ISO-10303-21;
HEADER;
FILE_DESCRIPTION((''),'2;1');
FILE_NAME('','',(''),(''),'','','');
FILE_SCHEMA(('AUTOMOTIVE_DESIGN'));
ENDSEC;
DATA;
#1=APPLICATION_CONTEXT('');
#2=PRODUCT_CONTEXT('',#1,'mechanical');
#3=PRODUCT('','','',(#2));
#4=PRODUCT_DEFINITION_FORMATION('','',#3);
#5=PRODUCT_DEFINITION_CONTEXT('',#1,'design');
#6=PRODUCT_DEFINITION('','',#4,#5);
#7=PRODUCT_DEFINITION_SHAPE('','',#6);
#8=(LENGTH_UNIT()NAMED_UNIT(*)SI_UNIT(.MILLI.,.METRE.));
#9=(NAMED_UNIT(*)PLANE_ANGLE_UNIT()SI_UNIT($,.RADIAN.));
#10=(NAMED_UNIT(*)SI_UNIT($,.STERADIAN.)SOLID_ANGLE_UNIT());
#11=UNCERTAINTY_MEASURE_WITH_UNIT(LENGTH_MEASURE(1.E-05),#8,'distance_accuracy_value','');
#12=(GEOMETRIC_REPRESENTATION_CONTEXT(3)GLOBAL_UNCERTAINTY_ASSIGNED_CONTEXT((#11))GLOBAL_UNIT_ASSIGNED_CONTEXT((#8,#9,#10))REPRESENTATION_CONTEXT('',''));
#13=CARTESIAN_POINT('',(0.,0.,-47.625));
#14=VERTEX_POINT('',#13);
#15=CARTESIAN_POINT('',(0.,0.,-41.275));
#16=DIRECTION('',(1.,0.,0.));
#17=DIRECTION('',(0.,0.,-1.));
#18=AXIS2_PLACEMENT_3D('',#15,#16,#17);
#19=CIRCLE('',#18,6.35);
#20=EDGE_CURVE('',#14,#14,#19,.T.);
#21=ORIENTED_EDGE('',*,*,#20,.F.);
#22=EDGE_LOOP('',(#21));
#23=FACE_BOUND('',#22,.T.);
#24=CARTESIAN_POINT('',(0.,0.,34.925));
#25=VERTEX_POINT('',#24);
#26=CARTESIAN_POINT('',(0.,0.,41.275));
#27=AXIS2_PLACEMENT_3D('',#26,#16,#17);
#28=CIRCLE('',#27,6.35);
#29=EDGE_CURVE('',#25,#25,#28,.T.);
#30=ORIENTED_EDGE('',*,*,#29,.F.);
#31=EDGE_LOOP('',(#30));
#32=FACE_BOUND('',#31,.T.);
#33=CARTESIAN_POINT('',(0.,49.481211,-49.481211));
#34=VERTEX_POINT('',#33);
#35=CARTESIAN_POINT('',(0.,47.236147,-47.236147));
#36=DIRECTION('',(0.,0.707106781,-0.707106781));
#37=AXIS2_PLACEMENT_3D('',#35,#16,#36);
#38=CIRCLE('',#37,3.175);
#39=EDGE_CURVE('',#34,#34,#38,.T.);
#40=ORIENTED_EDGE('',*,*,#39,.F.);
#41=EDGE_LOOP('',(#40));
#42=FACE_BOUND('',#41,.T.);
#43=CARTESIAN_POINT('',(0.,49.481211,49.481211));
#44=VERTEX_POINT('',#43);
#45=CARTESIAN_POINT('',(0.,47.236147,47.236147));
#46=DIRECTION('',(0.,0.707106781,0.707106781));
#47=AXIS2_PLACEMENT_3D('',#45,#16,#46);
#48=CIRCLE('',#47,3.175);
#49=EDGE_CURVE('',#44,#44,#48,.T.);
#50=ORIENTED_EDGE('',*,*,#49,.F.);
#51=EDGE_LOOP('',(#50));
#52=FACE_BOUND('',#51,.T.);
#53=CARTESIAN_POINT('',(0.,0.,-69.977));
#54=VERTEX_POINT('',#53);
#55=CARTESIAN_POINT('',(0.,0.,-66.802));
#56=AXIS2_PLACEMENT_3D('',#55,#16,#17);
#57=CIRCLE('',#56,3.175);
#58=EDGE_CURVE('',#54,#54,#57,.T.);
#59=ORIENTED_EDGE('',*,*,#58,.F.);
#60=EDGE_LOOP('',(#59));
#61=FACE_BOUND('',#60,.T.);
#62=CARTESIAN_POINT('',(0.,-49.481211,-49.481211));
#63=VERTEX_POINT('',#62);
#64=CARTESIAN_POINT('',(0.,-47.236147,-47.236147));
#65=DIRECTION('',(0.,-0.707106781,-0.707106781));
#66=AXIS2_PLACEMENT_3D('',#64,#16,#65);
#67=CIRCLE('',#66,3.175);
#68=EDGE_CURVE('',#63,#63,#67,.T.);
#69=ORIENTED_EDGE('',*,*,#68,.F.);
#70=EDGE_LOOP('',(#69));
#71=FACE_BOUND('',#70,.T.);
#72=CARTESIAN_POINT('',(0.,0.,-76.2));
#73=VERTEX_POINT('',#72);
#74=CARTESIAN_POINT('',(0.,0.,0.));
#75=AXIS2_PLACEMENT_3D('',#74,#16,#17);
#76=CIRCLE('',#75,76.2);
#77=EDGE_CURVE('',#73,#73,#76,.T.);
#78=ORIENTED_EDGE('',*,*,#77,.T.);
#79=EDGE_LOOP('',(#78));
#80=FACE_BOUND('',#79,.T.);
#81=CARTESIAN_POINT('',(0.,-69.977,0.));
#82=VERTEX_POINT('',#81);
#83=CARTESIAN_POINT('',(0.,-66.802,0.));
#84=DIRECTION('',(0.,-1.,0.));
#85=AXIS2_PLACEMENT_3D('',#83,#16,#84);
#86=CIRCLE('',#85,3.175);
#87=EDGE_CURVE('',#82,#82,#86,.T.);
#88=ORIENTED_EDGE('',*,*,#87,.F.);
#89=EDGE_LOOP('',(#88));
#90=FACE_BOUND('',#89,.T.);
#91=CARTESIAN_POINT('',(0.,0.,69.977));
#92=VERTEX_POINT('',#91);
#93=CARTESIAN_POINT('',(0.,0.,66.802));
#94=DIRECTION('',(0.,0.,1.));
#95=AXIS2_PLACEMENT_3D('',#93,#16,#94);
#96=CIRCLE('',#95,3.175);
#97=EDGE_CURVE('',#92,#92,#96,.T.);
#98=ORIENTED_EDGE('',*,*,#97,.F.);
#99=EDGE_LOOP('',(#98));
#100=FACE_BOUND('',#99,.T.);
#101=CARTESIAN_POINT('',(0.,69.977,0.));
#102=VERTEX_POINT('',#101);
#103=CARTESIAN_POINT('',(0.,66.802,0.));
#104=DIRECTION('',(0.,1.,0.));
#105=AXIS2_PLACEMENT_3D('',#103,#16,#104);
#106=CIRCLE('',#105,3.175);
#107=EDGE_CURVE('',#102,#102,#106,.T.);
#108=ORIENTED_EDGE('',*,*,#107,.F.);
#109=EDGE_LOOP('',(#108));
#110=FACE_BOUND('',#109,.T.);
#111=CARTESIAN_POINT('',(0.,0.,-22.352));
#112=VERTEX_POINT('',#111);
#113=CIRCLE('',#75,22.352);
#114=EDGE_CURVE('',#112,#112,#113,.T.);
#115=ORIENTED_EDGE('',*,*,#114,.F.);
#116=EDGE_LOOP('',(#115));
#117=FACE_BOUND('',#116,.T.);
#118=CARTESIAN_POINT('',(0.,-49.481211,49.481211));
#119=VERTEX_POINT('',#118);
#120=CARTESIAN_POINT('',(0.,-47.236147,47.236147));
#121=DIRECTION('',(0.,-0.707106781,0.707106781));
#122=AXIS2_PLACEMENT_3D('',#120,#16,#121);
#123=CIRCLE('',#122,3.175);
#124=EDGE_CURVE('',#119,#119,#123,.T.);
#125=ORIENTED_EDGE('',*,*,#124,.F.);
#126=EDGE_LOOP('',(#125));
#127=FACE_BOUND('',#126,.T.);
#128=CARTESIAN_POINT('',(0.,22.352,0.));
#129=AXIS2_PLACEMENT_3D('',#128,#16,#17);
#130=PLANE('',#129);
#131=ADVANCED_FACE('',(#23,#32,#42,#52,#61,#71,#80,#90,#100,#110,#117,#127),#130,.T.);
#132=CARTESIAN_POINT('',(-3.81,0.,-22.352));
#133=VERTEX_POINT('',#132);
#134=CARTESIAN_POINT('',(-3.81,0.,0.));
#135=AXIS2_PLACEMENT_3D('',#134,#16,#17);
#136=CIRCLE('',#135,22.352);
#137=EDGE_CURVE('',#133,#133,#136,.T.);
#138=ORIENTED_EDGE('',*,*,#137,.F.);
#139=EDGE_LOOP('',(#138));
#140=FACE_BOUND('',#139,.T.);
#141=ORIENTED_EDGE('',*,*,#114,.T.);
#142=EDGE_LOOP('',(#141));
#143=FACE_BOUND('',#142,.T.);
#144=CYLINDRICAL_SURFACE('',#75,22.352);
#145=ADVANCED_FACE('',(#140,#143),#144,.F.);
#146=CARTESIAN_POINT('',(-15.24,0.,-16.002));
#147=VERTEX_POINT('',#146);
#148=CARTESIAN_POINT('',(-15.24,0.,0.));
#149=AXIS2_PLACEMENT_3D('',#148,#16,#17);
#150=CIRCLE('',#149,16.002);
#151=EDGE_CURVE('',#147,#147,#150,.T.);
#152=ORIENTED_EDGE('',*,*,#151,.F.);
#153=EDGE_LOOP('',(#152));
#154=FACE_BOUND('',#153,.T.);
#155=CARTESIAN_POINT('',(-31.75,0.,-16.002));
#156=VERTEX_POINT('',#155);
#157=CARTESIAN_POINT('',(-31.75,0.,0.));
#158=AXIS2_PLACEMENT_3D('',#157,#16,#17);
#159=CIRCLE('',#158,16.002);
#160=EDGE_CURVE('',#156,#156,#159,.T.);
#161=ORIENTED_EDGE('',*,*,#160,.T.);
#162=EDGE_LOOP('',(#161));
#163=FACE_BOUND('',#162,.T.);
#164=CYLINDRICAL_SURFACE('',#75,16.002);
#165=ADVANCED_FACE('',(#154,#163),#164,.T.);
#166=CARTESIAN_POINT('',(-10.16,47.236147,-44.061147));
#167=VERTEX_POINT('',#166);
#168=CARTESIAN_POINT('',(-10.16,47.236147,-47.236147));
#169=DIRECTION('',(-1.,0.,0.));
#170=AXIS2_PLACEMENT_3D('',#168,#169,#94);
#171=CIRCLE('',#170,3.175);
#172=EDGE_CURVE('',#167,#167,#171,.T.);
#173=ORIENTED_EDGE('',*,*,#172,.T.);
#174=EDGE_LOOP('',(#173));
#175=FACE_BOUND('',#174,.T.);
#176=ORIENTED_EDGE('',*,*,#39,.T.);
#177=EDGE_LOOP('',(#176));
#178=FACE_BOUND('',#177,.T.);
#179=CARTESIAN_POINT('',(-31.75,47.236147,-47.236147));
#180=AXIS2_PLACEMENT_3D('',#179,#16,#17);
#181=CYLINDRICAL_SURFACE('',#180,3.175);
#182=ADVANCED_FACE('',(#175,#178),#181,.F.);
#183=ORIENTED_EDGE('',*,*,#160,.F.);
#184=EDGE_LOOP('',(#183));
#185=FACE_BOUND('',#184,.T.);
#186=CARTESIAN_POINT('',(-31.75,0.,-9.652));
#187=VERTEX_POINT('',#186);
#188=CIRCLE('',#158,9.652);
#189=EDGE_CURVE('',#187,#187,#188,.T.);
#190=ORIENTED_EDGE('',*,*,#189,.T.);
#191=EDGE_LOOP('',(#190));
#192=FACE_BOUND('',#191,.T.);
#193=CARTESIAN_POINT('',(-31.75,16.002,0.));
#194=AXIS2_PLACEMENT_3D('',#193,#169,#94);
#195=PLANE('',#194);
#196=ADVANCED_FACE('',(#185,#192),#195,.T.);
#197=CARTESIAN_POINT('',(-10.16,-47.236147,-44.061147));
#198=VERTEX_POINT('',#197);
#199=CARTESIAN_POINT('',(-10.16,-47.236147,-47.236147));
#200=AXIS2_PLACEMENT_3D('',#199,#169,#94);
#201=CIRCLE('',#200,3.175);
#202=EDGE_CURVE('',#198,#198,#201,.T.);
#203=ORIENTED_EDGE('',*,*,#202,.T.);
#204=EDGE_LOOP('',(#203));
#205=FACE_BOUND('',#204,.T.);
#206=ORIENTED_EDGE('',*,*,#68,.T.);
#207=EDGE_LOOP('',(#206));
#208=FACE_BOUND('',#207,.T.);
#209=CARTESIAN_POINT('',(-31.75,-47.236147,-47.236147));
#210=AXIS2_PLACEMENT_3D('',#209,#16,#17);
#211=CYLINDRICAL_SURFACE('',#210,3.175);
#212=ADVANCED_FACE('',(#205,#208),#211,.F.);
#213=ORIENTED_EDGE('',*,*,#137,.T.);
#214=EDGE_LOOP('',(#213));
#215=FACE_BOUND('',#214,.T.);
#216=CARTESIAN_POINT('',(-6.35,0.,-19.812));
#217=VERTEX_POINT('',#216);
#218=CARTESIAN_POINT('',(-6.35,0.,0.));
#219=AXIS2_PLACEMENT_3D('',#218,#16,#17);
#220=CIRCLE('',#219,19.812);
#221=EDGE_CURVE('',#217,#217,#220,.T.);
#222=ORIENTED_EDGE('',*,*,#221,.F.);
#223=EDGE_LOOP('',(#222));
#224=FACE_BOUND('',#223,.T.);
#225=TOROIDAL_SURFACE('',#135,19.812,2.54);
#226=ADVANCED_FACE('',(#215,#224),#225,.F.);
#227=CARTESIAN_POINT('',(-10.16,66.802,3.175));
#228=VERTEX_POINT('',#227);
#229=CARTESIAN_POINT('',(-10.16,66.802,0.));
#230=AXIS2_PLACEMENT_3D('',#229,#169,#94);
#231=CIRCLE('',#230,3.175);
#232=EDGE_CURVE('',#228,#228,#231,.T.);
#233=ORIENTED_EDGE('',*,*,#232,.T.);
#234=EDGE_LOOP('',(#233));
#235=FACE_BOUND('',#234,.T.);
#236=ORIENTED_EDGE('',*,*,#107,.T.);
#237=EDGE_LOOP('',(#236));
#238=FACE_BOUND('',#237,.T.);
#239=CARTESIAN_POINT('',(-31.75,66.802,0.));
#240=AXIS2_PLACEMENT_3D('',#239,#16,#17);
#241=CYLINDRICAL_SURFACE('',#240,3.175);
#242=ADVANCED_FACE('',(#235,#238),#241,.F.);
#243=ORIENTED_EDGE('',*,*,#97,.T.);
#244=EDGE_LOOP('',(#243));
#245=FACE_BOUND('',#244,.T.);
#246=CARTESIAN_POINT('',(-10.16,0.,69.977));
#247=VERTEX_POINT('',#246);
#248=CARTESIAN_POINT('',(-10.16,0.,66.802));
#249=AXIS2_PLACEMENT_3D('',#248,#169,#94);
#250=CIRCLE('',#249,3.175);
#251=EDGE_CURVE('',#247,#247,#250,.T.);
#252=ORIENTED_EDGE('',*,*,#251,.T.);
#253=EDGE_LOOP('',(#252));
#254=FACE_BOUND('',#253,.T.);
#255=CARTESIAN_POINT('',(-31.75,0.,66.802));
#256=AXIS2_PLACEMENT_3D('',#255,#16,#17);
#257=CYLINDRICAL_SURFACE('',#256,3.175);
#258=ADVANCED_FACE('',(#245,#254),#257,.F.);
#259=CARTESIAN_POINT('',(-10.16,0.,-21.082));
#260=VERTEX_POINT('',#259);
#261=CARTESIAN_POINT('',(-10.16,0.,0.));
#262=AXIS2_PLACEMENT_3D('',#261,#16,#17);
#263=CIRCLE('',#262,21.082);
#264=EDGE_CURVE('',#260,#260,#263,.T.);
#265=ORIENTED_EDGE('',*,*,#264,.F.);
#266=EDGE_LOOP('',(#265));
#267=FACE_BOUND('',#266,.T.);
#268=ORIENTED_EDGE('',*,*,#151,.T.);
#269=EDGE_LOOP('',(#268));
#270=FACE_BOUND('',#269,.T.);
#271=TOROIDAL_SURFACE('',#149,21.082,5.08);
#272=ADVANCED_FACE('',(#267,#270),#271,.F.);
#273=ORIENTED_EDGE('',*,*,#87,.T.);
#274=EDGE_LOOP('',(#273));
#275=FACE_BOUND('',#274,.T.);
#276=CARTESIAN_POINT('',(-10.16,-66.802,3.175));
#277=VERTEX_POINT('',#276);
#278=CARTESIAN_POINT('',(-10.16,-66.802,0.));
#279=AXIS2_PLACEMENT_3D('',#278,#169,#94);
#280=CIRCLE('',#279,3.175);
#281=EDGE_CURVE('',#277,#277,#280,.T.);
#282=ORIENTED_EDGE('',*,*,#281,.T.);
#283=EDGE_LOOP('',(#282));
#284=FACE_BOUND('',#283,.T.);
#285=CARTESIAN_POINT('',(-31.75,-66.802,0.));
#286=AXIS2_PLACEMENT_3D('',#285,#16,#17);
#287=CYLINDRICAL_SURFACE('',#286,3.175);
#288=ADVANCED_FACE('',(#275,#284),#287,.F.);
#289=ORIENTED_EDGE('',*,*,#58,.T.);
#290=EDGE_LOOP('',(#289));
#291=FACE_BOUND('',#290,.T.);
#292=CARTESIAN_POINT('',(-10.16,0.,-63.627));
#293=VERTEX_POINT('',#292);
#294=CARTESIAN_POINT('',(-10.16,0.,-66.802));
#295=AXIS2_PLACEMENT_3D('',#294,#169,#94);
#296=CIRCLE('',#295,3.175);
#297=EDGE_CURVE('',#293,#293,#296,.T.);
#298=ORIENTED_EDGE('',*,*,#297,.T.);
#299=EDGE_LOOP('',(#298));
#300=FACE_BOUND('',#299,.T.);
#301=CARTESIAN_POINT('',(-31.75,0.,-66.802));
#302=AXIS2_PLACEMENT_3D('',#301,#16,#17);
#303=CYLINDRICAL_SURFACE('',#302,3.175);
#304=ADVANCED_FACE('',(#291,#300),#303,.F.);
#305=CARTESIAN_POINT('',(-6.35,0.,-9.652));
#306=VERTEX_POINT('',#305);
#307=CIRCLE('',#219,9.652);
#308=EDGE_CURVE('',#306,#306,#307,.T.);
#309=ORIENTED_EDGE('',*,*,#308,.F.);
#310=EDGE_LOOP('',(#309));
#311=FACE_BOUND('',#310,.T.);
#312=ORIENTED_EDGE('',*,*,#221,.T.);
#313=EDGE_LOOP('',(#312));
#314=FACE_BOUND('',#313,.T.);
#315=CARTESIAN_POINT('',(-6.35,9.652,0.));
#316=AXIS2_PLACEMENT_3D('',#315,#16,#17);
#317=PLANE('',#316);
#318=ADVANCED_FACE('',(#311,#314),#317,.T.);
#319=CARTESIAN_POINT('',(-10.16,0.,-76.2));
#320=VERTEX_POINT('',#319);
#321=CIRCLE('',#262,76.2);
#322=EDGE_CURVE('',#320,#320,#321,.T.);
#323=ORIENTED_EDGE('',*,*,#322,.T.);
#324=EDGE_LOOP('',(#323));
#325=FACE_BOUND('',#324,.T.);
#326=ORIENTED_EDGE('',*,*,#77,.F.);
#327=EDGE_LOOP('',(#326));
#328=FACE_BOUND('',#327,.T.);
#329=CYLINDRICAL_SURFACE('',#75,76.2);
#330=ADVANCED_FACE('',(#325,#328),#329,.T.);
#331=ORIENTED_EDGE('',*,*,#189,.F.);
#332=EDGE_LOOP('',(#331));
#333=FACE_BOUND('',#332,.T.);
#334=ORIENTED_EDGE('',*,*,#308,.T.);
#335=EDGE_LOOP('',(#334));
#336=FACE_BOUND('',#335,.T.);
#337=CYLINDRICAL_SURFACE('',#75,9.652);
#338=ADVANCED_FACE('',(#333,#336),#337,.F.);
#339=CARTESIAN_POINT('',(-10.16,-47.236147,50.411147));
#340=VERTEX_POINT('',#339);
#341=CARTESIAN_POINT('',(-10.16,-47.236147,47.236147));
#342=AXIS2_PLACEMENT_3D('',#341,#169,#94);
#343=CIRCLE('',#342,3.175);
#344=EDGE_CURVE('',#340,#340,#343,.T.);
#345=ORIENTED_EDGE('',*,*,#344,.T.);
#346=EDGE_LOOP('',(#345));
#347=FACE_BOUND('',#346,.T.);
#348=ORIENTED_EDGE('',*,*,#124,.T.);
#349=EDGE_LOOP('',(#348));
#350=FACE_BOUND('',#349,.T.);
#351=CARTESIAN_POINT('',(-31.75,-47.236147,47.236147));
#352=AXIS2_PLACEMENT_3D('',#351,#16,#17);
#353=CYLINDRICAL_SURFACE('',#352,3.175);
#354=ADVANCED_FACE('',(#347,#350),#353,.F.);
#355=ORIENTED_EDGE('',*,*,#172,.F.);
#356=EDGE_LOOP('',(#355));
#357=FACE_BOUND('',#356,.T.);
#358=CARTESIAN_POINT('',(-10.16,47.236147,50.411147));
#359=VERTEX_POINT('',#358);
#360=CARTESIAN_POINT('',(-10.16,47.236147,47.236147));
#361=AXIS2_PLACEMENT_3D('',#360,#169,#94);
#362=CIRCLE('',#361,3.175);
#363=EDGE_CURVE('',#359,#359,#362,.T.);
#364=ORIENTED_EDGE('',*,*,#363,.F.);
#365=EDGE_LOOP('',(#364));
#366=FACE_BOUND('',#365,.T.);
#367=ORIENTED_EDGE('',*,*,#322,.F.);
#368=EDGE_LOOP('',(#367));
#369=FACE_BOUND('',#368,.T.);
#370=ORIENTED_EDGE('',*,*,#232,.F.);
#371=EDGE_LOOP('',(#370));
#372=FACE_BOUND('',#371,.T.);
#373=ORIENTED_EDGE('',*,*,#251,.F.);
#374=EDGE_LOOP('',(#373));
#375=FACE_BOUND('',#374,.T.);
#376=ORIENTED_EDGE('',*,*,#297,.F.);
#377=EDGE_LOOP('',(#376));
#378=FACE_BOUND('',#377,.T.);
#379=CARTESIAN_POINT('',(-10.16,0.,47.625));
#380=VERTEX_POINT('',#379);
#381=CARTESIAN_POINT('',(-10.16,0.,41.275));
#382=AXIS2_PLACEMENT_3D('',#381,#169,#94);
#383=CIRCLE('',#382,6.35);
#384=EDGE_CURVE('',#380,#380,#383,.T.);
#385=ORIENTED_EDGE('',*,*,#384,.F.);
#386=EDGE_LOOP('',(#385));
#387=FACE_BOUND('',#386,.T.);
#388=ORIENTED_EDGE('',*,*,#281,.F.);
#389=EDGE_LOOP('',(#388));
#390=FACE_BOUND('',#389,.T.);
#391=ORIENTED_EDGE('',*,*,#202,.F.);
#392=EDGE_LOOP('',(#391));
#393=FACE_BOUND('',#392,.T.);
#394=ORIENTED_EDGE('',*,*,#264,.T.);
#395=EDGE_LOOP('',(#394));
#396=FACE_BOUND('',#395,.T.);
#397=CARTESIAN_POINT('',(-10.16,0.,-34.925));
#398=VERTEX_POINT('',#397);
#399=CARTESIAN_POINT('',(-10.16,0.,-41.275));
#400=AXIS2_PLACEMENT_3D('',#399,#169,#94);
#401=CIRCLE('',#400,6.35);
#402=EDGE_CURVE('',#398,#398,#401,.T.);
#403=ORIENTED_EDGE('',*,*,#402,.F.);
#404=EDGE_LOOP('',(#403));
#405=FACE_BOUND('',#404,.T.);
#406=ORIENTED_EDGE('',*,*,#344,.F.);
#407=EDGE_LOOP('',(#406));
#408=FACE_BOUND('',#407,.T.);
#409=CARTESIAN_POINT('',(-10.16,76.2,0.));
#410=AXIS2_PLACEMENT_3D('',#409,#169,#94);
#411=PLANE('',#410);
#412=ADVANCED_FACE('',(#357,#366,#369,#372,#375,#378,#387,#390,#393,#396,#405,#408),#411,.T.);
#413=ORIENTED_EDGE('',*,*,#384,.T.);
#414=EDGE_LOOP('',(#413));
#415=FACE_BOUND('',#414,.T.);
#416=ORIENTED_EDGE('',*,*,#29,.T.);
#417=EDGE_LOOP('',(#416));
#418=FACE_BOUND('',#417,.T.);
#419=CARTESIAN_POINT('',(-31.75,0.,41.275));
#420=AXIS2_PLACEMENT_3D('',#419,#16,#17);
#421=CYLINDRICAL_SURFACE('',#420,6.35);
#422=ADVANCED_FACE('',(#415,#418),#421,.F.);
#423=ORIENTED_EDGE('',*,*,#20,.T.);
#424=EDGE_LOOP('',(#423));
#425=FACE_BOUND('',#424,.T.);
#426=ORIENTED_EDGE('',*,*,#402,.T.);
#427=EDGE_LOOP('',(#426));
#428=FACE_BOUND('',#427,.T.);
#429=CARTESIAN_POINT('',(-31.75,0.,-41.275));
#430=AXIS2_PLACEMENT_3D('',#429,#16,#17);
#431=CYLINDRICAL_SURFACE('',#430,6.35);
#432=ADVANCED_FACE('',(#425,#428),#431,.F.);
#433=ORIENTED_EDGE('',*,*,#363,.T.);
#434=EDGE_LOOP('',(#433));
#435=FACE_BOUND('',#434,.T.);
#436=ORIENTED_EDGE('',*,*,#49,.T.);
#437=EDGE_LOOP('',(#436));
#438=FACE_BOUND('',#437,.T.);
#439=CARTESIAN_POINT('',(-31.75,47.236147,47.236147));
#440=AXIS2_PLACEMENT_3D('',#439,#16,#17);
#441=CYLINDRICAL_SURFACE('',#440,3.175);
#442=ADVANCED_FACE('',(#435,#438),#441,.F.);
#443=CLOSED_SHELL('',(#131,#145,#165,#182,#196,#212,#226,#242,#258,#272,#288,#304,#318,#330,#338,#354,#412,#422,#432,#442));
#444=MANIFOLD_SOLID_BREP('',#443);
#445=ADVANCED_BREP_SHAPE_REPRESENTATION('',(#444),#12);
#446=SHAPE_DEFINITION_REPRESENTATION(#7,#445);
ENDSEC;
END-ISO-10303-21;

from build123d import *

# Parameters (mm, degrees)
CUT_EXTRUDE1_DEPTH      = 113.342968182
CUT_EXTRUDE1_DEPTH_BACK = 113.342968182
SKETCH2_R               = 6.35
SKETCH3_R               = 3.175
CUT_EXTRUDE2_DEPTH      = 113.342968182
CIRPATTERN1_COUNT       = 8


with BuildPart() as part:
    # Sketch1 → Revolve1 (revolve)
    with BuildSketch(Plane.XY, mode=Mode.PRIVATE) as revolve1_sk:
        with BuildLine():
            Line((0, 76.2), (-10.16, 76.2))
            Line((-10.16, 76.2), (-10.16, 21.082))
            ThreePointArc((-10.16, 21.082), (-11.647897552, 17.489897552), (-15.24, 16.002))
            Line((-15.24, 16.002), (-31.75, 16.002))
            Line((-31.75, 16.002), (-31.75, 9.652))
            Line((-31.75, 9.652), (-6.35, 9.652))
            Line((-6.35, 9.652), (-6.35, 19.812))
            ThreePointArc((-6.35, 19.812), (-5.606051224, 21.608051224), (-3.81, 22.352))
            Line((-3.81, 22.352), (0, 22.352))
            Line((0, 22.352), (0, 76.2))
        make_face()
    revolve(revolve1_sk.sketch.rotate(Axis((0, 0, 0), (-1, 0, 0)), 90), axis=Axis((0, 0, 0), (-1, 0, 0)))

    # Sketch2 → Cut-Extrude1 (cut, two sides: drawn at the far end of the back side and taken through both)
    with BuildSketch(Plane(origin=(0, 0, 0), x_dir=(0, 0, -1), z_dir=(1, 0, 0)).offset(-CUT_EXTRUDE1_DEPTH_BACK)):
        with Locations((41.275, 0)):
            Circle(SKETCH2_R)
        with Locations((-41.275, 0)):
            Circle(SKETCH2_R)
    extrude(amount=CUT_EXTRUDE1_DEPTH + CUT_EXTRUDE1_DEPTH_BACK, mode=Mode.SUBTRACT)

    # Sketch3 → Cut-Extrude2 (cut, through all)
    with BuildSketch(Plane(origin=(0, 0, 0), x_dir=(0, 0, -1), z_dir=(1, 0, 0))):
        with Locations((66.802, 0)):
            Circle(SKETCH3_R)
    cut_extrude2 = extrude(amount=-CUT_EXTRUDE2_DEPTH, mode=Mode.SUBTRACT)

    # CirPattern1: Cut-Extrude2 ×8 about axis
    cirpattern1_axis = Axis((0, 0, 0), (1, 0, 0))
    for i in range(1, CIRPATTERN1_COUNT):
        add(cut_extrude2.rotate(cirpattern1_axis, i * 360 / CIRPATTERN1_COUNT), mode=Mode.SUBTRACT)


solid = part.part
